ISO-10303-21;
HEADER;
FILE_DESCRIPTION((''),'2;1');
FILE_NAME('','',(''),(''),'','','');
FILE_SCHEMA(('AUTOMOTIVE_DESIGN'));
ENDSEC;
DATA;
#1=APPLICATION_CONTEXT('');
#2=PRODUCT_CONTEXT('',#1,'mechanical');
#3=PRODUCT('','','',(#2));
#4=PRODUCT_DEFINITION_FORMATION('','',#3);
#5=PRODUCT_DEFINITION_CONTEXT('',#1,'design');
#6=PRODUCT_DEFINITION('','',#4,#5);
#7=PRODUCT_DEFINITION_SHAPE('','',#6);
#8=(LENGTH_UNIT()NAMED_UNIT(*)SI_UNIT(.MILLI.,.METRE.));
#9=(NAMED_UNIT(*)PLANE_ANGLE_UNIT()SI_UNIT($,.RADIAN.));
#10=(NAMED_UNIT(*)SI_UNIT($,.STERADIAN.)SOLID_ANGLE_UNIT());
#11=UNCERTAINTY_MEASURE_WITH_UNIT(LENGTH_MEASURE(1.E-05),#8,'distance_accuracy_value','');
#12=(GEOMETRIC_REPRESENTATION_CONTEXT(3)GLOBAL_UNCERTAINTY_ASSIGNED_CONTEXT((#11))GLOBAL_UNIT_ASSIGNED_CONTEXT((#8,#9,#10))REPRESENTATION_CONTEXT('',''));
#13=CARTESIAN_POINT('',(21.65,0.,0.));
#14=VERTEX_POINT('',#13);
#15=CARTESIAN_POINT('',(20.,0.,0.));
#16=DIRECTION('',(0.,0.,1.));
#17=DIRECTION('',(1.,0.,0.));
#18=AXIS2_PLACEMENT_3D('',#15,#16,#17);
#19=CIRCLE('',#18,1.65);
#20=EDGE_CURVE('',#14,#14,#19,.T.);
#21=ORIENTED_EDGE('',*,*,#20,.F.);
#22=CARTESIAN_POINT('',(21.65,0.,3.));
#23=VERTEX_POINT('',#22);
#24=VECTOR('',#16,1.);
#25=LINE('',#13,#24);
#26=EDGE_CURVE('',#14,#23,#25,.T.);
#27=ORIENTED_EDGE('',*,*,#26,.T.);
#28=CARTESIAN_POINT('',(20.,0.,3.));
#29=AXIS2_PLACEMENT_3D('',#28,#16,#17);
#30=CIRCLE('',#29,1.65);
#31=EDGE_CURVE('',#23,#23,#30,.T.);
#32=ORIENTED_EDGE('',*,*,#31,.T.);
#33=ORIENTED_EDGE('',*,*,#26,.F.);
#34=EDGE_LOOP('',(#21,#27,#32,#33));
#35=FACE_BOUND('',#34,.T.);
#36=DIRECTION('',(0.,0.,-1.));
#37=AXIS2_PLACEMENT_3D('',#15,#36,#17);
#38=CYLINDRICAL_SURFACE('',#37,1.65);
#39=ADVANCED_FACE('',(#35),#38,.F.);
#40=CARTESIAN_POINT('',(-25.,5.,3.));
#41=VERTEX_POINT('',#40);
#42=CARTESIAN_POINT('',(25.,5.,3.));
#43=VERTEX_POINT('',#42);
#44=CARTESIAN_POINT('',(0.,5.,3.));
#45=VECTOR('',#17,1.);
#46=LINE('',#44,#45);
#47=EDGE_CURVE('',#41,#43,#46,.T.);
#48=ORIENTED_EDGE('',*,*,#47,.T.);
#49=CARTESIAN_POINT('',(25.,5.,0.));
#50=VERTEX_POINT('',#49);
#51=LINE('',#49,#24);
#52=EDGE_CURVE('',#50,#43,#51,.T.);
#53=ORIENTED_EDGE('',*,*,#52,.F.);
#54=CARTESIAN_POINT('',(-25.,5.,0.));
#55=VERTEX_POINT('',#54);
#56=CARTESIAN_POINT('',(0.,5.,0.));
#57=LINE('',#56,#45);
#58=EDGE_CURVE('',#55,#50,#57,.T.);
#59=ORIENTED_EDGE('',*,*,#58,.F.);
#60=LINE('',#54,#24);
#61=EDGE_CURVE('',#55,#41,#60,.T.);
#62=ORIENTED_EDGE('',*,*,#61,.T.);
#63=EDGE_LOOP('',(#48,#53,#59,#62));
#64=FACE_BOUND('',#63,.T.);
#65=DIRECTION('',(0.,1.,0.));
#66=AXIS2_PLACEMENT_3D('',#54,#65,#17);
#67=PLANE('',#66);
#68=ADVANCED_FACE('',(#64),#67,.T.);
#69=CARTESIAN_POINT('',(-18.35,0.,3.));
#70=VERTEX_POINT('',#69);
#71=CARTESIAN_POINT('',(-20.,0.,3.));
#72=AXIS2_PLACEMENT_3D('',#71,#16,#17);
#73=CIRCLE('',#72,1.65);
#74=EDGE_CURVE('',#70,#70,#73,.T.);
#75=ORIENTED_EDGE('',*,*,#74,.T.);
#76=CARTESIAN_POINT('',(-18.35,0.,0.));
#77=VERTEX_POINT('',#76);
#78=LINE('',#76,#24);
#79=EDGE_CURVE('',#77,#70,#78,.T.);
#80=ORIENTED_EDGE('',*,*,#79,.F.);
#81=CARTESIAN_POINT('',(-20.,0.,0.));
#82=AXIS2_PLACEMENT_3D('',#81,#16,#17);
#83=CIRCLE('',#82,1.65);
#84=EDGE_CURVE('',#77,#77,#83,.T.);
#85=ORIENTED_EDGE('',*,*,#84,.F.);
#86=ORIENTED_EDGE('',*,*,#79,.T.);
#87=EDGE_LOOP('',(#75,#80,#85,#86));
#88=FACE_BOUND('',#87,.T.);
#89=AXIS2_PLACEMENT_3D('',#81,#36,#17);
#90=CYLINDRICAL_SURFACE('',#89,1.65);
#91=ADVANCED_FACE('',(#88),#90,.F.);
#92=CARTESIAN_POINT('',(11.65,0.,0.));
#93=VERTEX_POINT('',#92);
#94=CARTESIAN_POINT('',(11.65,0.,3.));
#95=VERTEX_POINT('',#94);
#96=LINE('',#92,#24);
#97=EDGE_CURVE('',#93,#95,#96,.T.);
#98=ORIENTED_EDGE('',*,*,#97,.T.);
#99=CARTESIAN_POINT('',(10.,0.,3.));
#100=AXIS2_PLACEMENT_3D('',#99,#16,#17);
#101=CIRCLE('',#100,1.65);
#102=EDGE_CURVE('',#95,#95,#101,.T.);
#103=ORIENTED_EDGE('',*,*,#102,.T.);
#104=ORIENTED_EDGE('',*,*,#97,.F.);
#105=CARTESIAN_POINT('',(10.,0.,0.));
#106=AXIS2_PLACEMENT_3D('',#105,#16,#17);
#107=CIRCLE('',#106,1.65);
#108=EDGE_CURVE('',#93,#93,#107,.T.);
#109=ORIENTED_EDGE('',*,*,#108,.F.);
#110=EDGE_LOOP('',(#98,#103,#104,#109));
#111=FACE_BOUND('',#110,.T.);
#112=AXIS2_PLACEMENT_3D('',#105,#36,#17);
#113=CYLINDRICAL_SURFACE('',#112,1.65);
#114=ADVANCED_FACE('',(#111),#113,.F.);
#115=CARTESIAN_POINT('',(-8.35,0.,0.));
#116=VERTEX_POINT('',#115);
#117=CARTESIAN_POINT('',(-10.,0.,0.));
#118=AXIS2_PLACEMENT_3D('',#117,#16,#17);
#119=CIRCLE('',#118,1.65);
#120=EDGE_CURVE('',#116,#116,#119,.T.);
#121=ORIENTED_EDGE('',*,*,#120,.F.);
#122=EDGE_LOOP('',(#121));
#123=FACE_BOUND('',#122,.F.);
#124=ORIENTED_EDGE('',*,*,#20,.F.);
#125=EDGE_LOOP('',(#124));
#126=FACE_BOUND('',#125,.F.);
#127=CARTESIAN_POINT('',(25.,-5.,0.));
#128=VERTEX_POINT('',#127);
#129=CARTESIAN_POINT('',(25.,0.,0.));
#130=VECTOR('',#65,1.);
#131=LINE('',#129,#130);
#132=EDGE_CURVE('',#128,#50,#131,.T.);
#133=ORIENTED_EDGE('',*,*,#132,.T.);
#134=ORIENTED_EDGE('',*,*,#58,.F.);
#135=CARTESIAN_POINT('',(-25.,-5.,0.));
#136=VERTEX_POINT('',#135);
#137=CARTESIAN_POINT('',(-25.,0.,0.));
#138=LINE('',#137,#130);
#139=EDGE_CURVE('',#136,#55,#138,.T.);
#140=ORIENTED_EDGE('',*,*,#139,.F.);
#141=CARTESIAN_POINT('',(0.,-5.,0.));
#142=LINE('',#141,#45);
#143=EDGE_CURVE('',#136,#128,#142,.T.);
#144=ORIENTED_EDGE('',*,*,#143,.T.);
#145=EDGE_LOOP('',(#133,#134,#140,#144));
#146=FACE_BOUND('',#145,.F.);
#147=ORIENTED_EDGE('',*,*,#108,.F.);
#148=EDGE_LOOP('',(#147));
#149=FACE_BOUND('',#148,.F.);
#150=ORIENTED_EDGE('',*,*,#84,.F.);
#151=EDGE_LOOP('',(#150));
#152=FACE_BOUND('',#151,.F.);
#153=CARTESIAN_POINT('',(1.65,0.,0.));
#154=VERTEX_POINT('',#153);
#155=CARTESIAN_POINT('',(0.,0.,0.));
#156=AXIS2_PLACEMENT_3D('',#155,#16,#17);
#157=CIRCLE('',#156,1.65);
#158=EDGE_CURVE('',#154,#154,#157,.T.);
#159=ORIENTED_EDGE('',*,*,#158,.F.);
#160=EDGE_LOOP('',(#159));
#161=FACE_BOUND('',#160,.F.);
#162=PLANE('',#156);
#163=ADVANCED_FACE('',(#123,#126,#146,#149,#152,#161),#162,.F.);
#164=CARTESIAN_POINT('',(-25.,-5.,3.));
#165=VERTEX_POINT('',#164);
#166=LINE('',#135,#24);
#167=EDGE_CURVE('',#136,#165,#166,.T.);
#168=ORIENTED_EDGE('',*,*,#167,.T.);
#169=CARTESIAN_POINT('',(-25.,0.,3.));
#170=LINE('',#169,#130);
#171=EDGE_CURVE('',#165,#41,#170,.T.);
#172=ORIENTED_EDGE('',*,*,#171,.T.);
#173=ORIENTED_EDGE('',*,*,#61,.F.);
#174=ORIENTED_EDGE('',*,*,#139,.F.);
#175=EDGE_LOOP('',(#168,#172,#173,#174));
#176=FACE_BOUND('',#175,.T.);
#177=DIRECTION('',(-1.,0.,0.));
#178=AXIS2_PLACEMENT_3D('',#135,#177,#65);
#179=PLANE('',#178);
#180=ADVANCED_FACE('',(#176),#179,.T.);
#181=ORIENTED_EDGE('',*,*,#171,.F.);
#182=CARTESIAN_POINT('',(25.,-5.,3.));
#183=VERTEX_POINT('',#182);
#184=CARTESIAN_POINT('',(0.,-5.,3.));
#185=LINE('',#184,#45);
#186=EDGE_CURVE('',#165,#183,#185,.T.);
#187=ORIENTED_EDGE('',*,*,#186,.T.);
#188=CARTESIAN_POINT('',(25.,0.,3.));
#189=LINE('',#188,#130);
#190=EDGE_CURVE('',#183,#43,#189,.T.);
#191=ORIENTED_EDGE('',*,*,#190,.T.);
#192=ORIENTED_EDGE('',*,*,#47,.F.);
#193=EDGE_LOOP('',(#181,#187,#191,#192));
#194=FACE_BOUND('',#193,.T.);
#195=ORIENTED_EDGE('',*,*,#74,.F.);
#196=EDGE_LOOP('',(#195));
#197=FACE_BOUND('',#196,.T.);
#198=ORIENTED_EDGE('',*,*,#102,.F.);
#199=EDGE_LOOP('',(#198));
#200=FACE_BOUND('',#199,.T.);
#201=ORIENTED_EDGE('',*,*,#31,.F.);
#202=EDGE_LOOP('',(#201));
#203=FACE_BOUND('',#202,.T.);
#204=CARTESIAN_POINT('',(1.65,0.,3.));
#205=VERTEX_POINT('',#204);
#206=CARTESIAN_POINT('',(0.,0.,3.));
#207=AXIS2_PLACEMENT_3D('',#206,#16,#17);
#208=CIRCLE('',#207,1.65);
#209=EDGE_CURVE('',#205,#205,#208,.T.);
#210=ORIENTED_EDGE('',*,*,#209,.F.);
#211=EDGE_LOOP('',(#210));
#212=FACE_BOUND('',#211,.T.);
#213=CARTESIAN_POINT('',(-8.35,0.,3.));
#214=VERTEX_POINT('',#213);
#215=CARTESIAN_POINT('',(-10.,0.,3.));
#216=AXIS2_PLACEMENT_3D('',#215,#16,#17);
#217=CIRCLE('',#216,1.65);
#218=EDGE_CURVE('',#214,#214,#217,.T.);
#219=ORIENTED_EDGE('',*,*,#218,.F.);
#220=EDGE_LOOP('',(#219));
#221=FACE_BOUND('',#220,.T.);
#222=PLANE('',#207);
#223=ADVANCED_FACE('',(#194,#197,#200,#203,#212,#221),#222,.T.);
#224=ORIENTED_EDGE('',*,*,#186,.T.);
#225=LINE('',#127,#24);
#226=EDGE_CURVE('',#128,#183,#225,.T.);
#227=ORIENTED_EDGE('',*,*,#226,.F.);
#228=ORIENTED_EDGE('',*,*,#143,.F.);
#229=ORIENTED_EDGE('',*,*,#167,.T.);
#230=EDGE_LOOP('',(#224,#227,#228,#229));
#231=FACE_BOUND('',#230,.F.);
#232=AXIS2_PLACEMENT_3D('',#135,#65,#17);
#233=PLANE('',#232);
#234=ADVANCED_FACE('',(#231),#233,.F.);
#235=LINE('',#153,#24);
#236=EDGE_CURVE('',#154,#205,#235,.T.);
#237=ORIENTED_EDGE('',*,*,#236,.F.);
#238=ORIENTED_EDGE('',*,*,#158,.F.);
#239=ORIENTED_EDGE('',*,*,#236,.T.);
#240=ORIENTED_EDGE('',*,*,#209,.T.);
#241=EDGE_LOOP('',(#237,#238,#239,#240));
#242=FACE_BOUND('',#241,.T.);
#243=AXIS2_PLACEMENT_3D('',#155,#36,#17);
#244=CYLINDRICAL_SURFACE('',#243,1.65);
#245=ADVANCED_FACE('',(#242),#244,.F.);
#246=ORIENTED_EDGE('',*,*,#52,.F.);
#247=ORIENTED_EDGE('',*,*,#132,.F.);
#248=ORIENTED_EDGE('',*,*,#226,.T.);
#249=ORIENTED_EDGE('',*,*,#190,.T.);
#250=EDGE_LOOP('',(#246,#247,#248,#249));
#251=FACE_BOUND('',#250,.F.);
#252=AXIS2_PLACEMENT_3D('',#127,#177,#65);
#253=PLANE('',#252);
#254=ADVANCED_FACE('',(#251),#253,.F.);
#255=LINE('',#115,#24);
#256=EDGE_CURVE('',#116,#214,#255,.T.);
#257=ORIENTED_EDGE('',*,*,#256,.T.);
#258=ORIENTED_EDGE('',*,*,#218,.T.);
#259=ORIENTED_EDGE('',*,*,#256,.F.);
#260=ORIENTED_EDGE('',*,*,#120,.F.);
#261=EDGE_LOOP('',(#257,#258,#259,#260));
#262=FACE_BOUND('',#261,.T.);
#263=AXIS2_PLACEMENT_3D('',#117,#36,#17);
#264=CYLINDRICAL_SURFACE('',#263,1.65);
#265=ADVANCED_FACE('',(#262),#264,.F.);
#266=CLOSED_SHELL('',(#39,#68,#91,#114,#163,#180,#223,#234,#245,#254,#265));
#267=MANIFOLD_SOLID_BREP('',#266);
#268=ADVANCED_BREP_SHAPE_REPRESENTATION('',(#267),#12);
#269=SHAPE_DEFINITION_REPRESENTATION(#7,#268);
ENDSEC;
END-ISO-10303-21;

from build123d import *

# Parameters (mm, degrees)
SKETCH_W  = 50
SKETCH_H  = 10
SKETCH_R  = 1.65
PAD_DEPTH = 3


with BuildPart() as part:
    # Sketch → Pad (new body)
    with BuildSketch(Plane.XY):
        Rectangle(SKETCH_W, SKETCH_H)
        Circle(SKETCH_R, mode=Mode.SUBTRACT)
        with Locations((-20, 0)):
            Circle(SKETCH_R, mode=Mode.SUBTRACT)
        with Locations((-10, 0)):
            Circle(SKETCH_R, mode=Mode.SUBTRACT)
        with Locations((10, 0)):
            Circle(SKETCH_R, mode=Mode.SUBTRACT)
        with Locations((20, 0)):
            Circle(SKETCH_R, mode=Mode.SUBTRACT)
    extrude(amount=PAD_DEPTH)


solid = part.part
